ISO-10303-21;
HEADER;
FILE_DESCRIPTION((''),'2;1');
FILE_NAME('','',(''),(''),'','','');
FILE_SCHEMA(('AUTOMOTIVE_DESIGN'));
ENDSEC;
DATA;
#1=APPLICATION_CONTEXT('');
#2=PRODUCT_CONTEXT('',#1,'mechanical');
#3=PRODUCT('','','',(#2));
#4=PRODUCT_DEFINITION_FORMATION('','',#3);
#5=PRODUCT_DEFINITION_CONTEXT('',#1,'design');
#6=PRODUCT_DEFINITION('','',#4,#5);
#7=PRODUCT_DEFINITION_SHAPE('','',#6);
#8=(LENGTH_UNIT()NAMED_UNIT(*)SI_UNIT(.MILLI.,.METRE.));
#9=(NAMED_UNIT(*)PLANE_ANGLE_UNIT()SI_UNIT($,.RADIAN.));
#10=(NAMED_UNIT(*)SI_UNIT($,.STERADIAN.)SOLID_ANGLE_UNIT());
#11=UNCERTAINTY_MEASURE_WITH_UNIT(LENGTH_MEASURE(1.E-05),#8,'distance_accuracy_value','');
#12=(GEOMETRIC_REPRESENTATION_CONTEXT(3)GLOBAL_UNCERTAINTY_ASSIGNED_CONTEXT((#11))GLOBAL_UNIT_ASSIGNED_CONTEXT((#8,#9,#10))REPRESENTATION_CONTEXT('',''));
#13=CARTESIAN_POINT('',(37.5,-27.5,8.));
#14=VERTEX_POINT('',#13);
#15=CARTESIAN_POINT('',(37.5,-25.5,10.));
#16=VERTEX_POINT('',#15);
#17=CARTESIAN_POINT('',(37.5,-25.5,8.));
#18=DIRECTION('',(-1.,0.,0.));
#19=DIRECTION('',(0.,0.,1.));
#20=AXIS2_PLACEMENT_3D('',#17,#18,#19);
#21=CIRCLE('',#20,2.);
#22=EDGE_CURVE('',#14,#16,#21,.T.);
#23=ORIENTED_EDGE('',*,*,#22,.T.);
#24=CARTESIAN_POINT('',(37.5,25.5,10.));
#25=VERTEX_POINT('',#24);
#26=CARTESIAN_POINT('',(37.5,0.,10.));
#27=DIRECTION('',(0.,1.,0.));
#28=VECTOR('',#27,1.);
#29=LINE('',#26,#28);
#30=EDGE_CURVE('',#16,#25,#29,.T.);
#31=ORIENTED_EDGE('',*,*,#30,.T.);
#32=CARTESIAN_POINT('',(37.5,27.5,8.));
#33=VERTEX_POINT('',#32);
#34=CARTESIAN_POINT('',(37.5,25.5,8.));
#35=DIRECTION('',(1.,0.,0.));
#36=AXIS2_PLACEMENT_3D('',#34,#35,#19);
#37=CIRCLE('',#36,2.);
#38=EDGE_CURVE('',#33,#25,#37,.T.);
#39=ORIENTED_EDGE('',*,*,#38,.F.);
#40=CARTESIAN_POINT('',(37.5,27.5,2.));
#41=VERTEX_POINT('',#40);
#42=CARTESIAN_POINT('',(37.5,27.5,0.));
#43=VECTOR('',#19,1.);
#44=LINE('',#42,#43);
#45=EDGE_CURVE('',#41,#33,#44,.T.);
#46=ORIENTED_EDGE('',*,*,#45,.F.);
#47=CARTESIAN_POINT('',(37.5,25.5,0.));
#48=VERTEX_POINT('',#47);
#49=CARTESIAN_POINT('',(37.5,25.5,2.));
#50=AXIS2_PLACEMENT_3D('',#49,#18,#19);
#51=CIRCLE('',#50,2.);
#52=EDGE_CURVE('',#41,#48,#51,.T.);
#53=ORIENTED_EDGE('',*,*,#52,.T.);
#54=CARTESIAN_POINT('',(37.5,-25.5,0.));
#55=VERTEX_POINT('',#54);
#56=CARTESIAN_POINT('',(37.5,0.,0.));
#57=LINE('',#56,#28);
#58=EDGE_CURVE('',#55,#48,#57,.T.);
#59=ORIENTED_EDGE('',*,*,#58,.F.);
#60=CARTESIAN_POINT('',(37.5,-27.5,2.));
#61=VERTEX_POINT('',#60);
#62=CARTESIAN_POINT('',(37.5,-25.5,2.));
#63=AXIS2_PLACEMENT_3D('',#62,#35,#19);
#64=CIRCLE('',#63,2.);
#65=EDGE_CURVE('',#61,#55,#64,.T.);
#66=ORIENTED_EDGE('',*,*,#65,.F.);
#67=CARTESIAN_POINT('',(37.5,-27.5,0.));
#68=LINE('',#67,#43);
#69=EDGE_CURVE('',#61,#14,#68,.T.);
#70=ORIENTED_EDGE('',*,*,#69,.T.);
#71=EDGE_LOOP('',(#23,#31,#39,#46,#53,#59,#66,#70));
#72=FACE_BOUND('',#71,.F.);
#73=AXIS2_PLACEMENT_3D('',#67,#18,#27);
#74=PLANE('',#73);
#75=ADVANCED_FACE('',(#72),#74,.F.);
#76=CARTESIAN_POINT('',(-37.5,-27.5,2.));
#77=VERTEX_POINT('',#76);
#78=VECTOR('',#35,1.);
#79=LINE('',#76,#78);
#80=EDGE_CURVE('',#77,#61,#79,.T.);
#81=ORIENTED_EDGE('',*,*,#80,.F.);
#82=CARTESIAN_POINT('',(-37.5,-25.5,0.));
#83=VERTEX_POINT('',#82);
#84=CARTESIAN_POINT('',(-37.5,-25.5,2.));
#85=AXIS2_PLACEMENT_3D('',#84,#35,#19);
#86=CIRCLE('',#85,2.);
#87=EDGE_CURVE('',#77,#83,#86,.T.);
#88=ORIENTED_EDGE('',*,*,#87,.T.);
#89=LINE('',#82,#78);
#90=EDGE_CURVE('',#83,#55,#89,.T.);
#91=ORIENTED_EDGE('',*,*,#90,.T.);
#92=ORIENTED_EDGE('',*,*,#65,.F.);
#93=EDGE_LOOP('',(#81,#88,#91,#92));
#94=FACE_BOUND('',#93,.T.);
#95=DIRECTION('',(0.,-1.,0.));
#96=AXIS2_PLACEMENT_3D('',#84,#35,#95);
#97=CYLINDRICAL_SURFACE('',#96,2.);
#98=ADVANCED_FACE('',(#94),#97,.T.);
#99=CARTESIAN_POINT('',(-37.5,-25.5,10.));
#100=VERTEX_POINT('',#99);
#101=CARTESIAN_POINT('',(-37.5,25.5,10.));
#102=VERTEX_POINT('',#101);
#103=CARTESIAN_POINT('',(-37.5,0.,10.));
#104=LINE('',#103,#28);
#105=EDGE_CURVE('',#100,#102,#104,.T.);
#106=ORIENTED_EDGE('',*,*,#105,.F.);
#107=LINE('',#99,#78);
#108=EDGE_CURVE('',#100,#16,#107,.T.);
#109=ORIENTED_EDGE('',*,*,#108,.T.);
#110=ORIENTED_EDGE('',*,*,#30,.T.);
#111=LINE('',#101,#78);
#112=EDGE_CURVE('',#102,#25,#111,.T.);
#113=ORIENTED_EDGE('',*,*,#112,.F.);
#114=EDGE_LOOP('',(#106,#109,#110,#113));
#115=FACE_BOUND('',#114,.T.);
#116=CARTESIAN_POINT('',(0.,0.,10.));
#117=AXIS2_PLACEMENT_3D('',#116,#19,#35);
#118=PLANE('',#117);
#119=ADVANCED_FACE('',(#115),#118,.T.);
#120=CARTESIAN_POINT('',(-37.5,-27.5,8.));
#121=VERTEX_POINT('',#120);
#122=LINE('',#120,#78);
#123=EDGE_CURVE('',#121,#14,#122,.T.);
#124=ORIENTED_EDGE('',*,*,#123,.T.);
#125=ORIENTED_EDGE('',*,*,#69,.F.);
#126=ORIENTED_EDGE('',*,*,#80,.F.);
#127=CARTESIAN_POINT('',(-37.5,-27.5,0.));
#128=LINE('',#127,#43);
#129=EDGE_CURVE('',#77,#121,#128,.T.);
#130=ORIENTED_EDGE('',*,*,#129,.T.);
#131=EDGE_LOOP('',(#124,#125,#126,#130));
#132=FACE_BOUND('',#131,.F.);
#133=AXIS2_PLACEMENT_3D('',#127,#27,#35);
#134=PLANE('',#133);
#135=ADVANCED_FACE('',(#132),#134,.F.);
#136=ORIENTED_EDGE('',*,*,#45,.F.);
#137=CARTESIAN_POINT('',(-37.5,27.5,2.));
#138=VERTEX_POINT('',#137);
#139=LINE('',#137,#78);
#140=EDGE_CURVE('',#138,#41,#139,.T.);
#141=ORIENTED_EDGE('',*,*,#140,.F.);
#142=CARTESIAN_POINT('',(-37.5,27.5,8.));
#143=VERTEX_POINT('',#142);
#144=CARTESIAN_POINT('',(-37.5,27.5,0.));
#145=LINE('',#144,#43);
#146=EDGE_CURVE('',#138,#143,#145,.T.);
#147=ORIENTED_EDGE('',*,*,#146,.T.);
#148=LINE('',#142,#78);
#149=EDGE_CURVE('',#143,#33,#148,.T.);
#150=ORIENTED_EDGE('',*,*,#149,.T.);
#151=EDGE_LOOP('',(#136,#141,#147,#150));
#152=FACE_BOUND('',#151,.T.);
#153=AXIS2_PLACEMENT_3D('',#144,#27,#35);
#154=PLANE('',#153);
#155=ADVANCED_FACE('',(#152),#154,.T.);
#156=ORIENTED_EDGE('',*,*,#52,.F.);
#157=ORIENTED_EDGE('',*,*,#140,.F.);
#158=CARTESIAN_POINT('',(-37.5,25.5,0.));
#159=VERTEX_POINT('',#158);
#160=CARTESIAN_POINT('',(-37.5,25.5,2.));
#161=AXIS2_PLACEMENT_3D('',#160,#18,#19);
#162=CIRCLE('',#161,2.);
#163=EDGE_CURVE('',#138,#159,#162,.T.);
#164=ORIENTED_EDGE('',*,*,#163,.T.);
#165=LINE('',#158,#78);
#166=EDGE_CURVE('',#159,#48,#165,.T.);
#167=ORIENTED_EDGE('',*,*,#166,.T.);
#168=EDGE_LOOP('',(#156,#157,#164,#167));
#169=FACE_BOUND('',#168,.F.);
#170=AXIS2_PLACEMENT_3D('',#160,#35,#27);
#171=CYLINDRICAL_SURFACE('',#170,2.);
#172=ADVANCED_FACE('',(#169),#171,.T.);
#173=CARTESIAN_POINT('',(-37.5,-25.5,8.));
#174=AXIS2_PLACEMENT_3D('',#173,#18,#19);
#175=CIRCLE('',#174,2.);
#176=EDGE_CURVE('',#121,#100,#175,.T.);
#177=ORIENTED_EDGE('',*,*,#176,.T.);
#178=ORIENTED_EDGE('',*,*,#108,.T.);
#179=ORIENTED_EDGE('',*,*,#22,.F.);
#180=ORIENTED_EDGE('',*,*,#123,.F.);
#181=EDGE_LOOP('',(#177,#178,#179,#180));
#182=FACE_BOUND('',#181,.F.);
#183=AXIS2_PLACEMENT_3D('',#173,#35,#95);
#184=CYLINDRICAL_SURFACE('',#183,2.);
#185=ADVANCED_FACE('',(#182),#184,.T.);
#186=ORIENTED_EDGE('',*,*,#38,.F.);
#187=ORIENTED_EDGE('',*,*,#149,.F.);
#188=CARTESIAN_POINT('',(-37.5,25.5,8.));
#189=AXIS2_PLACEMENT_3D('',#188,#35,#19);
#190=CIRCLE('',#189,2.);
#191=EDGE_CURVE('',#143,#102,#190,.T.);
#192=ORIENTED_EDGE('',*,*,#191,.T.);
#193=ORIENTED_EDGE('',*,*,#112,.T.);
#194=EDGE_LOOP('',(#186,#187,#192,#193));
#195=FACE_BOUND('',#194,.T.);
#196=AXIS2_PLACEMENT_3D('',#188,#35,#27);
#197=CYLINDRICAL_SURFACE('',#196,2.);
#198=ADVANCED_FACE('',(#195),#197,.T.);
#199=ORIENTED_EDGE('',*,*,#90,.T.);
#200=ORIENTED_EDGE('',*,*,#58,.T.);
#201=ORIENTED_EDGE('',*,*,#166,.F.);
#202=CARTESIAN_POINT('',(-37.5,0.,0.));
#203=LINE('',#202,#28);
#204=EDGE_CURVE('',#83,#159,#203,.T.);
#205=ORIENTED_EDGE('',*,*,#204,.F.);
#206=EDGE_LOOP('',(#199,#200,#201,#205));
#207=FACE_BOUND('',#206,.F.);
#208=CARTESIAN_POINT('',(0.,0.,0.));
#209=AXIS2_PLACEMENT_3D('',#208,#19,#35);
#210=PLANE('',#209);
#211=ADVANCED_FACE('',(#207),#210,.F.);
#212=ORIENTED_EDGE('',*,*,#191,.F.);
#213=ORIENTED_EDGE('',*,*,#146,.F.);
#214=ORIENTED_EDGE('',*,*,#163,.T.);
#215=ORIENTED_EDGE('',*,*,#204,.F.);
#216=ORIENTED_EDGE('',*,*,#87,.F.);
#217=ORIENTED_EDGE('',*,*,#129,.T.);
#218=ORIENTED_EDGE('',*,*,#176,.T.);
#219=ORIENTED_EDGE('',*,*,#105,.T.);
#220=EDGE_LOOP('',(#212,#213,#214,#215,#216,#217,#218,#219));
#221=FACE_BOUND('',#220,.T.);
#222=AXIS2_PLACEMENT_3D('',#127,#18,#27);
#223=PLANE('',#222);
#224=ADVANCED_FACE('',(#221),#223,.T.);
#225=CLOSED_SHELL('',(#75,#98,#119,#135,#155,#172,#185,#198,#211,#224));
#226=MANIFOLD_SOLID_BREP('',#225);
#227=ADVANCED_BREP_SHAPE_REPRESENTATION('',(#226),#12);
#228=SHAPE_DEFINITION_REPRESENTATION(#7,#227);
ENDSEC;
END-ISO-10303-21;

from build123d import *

# Parameters (mm, degrees)
SKETCH_W  = 75
SKETCH_H  = 55
PAD_DEPTH = 10
FILLET_R  = 2


with BuildPart() as part:
    # Sketch → Pad (new body)
    with BuildSketch(Plane.XY):
        Rectangle(SKETCH_W, SKETCH_H)
    extrude(amount=PAD_DEPTH)

    # Fillet
    fillet_edges = [part.edges().sort_by_distance(p)[0] for p in [
        (0, -27.5, 10),
        (0, -27.5, 0),
        (0, 27.5, 10),
        (0, 27.5, 0),
    ]]
    fillet(fillet_edges, radius=FILLET_R)


solid = part.part
